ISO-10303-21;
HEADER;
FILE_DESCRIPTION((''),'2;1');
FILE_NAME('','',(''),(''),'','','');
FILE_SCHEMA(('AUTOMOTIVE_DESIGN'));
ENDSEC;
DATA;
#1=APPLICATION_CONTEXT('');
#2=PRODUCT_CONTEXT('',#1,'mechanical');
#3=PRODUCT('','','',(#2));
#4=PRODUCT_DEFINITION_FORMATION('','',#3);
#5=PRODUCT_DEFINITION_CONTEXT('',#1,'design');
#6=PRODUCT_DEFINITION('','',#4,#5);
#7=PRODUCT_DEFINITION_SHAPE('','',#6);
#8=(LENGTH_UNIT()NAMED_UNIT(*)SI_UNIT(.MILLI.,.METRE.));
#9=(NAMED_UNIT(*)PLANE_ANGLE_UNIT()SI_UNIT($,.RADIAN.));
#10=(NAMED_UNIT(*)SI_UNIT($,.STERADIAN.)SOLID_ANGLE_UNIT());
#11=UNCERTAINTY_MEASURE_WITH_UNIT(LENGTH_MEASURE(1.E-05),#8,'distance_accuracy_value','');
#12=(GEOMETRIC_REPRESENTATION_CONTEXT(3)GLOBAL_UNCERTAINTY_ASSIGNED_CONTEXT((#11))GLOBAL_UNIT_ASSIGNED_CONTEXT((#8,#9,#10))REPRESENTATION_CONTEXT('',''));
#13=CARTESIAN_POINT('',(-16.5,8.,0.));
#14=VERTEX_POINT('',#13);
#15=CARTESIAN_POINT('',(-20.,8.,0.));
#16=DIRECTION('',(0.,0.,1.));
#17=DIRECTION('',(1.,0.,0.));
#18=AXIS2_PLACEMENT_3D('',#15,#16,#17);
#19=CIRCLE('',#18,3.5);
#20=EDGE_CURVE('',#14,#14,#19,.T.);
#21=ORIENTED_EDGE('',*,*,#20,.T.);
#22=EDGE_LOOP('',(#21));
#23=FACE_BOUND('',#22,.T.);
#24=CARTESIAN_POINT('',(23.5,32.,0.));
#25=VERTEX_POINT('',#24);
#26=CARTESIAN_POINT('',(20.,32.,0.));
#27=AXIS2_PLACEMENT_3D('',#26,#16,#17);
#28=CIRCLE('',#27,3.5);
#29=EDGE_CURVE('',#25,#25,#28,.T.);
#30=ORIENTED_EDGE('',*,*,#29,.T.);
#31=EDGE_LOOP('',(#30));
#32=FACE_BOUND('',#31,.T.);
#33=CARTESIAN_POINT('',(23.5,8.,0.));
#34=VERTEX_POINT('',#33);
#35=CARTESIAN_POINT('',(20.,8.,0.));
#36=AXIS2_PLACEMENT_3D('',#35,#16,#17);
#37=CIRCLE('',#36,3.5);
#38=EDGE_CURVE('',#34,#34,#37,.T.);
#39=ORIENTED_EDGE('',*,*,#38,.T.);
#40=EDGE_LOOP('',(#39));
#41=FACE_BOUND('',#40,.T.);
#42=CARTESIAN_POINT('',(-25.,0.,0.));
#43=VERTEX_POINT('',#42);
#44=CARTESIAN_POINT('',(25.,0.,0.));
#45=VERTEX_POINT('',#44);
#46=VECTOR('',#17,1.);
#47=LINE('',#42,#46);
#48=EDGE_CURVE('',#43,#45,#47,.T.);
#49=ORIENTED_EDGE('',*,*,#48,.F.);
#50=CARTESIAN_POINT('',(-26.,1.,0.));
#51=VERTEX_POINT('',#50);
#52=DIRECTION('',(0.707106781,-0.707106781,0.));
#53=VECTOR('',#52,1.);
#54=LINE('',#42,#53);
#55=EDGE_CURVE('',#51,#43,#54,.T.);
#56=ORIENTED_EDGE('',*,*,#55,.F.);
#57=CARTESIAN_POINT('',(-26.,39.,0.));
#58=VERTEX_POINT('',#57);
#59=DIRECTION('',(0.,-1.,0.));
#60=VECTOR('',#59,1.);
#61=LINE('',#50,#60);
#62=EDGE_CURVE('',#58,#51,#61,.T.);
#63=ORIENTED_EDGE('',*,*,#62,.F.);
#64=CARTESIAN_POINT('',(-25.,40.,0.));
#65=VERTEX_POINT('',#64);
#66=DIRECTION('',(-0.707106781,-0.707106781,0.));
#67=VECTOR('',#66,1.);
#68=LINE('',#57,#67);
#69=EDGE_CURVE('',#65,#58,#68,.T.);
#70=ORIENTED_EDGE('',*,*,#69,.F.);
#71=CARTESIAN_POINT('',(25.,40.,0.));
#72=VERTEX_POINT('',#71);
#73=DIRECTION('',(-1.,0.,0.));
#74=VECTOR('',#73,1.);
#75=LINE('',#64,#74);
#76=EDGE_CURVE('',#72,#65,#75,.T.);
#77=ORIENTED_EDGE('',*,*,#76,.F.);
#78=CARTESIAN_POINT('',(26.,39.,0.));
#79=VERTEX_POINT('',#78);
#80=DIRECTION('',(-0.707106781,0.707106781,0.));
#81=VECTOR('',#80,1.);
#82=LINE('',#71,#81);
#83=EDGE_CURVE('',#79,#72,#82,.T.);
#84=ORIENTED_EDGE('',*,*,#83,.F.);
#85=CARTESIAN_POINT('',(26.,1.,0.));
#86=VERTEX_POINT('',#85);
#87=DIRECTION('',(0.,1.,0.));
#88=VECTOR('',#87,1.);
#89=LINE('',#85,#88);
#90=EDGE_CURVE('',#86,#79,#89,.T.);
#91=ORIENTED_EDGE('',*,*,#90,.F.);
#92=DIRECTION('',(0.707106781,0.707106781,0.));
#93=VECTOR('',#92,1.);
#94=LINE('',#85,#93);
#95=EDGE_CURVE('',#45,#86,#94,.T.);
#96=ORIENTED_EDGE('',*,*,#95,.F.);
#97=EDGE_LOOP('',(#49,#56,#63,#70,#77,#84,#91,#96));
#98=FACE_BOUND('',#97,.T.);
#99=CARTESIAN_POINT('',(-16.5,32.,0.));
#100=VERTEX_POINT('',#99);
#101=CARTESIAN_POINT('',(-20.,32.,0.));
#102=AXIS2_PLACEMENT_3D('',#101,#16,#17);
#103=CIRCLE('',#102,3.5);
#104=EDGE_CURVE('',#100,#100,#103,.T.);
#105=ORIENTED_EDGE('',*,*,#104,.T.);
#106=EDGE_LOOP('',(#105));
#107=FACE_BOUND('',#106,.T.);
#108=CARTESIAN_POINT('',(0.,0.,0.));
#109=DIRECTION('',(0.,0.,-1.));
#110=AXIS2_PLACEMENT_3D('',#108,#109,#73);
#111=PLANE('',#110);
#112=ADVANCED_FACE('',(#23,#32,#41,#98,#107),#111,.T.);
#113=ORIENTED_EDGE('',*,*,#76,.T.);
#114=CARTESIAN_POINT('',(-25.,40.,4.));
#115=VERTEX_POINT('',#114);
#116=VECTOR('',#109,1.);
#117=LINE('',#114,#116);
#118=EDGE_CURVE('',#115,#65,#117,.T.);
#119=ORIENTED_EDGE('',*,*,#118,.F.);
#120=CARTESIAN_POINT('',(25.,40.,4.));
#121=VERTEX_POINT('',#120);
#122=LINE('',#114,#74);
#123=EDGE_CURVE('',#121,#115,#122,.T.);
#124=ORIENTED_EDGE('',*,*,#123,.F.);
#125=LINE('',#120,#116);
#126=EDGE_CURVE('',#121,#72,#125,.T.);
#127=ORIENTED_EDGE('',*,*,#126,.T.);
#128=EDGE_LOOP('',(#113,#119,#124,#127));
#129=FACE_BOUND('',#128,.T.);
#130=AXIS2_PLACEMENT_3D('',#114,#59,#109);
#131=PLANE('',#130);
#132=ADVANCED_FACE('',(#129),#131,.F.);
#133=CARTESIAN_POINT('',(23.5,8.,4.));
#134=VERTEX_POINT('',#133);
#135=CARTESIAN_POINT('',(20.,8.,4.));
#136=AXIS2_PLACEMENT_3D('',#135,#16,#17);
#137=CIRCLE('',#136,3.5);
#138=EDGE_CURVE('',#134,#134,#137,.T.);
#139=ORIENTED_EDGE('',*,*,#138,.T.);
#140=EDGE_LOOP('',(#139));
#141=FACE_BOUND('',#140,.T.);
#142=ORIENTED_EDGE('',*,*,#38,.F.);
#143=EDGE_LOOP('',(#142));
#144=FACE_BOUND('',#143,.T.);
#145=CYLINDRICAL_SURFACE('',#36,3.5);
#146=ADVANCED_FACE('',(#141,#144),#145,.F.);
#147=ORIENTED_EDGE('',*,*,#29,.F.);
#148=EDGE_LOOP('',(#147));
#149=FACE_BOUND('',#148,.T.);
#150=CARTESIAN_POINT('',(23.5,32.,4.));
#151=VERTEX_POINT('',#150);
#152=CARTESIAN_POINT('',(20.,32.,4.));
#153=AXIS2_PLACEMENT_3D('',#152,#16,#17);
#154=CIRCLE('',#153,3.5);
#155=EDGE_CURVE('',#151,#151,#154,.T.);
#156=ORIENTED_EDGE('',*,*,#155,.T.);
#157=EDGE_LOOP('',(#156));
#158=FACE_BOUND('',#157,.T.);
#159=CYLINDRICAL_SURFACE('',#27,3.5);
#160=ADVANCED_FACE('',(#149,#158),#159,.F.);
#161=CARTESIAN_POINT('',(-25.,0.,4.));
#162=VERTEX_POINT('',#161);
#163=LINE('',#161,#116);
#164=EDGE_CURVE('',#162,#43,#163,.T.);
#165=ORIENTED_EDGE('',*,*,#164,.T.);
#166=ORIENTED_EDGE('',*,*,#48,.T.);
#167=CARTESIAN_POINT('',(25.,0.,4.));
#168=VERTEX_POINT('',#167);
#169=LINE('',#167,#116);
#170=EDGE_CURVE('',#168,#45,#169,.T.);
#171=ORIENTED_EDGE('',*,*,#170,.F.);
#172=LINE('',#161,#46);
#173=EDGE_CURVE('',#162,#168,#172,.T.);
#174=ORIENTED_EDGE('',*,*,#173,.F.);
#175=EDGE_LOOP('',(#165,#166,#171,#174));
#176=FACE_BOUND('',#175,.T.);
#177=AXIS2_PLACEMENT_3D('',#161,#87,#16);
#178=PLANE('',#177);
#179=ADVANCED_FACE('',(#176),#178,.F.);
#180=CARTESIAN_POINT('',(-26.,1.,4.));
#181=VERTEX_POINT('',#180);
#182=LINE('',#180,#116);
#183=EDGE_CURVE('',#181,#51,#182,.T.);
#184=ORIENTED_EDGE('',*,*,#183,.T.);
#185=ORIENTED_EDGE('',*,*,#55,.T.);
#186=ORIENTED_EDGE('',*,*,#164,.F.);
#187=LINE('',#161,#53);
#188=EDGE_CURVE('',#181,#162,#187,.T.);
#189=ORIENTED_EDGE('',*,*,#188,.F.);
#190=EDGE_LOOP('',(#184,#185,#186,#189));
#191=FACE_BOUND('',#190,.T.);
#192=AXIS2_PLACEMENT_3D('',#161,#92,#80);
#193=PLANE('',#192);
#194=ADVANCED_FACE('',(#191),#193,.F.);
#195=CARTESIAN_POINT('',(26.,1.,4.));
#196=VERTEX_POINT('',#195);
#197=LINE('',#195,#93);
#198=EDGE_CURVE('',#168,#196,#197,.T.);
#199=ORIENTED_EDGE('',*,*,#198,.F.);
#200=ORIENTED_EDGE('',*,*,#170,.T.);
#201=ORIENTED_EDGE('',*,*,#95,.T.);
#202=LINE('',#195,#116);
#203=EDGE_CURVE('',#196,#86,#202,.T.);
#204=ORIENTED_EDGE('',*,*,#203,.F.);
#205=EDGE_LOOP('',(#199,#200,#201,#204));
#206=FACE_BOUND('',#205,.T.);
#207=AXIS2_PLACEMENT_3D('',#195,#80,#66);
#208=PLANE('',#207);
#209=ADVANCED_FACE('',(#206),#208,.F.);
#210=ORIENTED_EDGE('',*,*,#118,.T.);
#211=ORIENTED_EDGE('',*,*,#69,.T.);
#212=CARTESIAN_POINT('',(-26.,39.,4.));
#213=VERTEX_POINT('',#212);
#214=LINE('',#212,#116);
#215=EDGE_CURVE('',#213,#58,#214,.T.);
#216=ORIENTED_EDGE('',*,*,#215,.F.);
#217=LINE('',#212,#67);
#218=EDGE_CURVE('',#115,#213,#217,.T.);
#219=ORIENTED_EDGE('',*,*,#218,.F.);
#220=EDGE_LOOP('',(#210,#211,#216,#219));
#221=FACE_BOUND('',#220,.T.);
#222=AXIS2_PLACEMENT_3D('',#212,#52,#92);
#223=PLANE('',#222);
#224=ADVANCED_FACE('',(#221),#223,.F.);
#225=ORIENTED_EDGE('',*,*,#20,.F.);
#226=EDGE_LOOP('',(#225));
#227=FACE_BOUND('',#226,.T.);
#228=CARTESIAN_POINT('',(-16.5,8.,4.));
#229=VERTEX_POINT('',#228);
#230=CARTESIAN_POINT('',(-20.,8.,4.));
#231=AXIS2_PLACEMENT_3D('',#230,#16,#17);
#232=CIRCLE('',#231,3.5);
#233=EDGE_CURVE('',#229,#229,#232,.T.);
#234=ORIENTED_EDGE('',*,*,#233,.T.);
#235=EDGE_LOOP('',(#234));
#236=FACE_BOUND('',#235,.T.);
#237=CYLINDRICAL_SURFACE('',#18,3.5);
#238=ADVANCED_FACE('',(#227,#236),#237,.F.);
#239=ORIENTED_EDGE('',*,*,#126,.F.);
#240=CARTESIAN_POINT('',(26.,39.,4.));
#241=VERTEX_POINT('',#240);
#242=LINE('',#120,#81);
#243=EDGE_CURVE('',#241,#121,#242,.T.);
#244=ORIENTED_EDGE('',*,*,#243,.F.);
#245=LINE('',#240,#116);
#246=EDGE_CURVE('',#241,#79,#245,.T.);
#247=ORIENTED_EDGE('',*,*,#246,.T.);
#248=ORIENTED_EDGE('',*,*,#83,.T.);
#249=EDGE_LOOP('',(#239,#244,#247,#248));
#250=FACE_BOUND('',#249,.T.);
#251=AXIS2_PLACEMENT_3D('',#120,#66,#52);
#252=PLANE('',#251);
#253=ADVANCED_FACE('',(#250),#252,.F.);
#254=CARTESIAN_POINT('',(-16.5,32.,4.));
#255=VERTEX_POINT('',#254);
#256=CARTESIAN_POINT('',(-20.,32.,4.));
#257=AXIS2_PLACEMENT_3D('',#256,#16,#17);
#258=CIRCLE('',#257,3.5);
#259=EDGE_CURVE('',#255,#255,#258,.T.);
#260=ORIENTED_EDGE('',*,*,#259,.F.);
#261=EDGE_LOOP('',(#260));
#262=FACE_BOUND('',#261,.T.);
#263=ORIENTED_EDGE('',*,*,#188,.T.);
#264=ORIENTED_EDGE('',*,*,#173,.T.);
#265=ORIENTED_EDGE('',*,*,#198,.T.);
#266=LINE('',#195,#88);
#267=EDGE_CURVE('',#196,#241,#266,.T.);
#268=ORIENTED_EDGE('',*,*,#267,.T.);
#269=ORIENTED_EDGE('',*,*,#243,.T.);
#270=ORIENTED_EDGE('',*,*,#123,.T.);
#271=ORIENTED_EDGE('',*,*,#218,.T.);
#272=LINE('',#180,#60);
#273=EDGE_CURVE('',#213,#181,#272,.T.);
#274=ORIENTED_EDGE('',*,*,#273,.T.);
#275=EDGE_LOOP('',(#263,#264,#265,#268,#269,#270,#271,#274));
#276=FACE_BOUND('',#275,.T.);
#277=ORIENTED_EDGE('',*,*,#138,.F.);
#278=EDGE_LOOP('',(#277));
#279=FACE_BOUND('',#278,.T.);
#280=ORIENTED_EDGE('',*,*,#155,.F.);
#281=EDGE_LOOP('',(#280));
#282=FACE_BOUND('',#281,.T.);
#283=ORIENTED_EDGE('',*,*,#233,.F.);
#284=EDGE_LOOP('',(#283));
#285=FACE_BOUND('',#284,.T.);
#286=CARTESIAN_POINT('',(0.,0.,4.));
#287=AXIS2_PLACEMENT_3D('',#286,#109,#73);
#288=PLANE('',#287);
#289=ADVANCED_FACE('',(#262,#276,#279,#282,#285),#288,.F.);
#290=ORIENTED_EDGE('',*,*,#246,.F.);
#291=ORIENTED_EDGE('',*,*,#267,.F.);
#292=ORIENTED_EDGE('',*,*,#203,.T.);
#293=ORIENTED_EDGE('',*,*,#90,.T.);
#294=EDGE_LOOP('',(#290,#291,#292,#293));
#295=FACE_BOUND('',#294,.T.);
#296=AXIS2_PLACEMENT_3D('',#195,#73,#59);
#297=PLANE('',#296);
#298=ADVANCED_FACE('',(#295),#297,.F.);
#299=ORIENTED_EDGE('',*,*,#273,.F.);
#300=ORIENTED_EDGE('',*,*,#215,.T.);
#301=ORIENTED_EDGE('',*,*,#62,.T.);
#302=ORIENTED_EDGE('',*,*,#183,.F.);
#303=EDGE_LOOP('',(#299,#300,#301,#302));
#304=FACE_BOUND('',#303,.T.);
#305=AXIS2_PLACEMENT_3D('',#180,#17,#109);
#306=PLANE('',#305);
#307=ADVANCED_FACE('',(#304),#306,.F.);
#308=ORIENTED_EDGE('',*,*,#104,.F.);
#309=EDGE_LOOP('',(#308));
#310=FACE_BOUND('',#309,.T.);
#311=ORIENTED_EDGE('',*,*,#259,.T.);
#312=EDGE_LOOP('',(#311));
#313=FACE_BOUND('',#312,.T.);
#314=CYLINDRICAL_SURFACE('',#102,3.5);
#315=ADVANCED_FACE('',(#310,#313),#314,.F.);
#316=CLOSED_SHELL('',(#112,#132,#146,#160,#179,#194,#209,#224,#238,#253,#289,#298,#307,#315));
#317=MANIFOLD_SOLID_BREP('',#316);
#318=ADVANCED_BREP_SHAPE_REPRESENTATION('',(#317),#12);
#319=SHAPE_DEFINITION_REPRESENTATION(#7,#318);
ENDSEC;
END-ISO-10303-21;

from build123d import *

# Parameters (mm, degrees)
BOSS_EXTRUDE1_DEPTH = 4
SKETCH2_R           = 3.5
CUT_EXTRUDE1_DEPTH  = 48.874836814


with BuildPart() as part:
    # Sketch1 → Boss-Extrude1 (new body)
    with BuildSketch(Plane.XY):
        Polygon((-25, 40), (25, 40), (26, 39), (26, 1), (25, 0), (-25, 0), (-26, 1), (-26, 39), align=None)
    extrude(amount=BOSS_EXTRUDE1_DEPTH)

    # Sketch2 → Cut-Extrude1 (cut, through all)
    with BuildSketch(Plane.XY.offset(4)):
        with Locations((20, 32)):
            Circle(SKETCH2_R)
        with Locations((-20, 32)):
            Circle(SKETCH2_R)
        with Locations((20, 8)):
            Circle(SKETCH2_R)
        with Locations((-20, 8)):
            Circle(SKETCH2_R)
    extrude(amount=-CUT_EXTRUDE1_DEPTH, mode=Mode.SUBTRACT)


solid = part.part
